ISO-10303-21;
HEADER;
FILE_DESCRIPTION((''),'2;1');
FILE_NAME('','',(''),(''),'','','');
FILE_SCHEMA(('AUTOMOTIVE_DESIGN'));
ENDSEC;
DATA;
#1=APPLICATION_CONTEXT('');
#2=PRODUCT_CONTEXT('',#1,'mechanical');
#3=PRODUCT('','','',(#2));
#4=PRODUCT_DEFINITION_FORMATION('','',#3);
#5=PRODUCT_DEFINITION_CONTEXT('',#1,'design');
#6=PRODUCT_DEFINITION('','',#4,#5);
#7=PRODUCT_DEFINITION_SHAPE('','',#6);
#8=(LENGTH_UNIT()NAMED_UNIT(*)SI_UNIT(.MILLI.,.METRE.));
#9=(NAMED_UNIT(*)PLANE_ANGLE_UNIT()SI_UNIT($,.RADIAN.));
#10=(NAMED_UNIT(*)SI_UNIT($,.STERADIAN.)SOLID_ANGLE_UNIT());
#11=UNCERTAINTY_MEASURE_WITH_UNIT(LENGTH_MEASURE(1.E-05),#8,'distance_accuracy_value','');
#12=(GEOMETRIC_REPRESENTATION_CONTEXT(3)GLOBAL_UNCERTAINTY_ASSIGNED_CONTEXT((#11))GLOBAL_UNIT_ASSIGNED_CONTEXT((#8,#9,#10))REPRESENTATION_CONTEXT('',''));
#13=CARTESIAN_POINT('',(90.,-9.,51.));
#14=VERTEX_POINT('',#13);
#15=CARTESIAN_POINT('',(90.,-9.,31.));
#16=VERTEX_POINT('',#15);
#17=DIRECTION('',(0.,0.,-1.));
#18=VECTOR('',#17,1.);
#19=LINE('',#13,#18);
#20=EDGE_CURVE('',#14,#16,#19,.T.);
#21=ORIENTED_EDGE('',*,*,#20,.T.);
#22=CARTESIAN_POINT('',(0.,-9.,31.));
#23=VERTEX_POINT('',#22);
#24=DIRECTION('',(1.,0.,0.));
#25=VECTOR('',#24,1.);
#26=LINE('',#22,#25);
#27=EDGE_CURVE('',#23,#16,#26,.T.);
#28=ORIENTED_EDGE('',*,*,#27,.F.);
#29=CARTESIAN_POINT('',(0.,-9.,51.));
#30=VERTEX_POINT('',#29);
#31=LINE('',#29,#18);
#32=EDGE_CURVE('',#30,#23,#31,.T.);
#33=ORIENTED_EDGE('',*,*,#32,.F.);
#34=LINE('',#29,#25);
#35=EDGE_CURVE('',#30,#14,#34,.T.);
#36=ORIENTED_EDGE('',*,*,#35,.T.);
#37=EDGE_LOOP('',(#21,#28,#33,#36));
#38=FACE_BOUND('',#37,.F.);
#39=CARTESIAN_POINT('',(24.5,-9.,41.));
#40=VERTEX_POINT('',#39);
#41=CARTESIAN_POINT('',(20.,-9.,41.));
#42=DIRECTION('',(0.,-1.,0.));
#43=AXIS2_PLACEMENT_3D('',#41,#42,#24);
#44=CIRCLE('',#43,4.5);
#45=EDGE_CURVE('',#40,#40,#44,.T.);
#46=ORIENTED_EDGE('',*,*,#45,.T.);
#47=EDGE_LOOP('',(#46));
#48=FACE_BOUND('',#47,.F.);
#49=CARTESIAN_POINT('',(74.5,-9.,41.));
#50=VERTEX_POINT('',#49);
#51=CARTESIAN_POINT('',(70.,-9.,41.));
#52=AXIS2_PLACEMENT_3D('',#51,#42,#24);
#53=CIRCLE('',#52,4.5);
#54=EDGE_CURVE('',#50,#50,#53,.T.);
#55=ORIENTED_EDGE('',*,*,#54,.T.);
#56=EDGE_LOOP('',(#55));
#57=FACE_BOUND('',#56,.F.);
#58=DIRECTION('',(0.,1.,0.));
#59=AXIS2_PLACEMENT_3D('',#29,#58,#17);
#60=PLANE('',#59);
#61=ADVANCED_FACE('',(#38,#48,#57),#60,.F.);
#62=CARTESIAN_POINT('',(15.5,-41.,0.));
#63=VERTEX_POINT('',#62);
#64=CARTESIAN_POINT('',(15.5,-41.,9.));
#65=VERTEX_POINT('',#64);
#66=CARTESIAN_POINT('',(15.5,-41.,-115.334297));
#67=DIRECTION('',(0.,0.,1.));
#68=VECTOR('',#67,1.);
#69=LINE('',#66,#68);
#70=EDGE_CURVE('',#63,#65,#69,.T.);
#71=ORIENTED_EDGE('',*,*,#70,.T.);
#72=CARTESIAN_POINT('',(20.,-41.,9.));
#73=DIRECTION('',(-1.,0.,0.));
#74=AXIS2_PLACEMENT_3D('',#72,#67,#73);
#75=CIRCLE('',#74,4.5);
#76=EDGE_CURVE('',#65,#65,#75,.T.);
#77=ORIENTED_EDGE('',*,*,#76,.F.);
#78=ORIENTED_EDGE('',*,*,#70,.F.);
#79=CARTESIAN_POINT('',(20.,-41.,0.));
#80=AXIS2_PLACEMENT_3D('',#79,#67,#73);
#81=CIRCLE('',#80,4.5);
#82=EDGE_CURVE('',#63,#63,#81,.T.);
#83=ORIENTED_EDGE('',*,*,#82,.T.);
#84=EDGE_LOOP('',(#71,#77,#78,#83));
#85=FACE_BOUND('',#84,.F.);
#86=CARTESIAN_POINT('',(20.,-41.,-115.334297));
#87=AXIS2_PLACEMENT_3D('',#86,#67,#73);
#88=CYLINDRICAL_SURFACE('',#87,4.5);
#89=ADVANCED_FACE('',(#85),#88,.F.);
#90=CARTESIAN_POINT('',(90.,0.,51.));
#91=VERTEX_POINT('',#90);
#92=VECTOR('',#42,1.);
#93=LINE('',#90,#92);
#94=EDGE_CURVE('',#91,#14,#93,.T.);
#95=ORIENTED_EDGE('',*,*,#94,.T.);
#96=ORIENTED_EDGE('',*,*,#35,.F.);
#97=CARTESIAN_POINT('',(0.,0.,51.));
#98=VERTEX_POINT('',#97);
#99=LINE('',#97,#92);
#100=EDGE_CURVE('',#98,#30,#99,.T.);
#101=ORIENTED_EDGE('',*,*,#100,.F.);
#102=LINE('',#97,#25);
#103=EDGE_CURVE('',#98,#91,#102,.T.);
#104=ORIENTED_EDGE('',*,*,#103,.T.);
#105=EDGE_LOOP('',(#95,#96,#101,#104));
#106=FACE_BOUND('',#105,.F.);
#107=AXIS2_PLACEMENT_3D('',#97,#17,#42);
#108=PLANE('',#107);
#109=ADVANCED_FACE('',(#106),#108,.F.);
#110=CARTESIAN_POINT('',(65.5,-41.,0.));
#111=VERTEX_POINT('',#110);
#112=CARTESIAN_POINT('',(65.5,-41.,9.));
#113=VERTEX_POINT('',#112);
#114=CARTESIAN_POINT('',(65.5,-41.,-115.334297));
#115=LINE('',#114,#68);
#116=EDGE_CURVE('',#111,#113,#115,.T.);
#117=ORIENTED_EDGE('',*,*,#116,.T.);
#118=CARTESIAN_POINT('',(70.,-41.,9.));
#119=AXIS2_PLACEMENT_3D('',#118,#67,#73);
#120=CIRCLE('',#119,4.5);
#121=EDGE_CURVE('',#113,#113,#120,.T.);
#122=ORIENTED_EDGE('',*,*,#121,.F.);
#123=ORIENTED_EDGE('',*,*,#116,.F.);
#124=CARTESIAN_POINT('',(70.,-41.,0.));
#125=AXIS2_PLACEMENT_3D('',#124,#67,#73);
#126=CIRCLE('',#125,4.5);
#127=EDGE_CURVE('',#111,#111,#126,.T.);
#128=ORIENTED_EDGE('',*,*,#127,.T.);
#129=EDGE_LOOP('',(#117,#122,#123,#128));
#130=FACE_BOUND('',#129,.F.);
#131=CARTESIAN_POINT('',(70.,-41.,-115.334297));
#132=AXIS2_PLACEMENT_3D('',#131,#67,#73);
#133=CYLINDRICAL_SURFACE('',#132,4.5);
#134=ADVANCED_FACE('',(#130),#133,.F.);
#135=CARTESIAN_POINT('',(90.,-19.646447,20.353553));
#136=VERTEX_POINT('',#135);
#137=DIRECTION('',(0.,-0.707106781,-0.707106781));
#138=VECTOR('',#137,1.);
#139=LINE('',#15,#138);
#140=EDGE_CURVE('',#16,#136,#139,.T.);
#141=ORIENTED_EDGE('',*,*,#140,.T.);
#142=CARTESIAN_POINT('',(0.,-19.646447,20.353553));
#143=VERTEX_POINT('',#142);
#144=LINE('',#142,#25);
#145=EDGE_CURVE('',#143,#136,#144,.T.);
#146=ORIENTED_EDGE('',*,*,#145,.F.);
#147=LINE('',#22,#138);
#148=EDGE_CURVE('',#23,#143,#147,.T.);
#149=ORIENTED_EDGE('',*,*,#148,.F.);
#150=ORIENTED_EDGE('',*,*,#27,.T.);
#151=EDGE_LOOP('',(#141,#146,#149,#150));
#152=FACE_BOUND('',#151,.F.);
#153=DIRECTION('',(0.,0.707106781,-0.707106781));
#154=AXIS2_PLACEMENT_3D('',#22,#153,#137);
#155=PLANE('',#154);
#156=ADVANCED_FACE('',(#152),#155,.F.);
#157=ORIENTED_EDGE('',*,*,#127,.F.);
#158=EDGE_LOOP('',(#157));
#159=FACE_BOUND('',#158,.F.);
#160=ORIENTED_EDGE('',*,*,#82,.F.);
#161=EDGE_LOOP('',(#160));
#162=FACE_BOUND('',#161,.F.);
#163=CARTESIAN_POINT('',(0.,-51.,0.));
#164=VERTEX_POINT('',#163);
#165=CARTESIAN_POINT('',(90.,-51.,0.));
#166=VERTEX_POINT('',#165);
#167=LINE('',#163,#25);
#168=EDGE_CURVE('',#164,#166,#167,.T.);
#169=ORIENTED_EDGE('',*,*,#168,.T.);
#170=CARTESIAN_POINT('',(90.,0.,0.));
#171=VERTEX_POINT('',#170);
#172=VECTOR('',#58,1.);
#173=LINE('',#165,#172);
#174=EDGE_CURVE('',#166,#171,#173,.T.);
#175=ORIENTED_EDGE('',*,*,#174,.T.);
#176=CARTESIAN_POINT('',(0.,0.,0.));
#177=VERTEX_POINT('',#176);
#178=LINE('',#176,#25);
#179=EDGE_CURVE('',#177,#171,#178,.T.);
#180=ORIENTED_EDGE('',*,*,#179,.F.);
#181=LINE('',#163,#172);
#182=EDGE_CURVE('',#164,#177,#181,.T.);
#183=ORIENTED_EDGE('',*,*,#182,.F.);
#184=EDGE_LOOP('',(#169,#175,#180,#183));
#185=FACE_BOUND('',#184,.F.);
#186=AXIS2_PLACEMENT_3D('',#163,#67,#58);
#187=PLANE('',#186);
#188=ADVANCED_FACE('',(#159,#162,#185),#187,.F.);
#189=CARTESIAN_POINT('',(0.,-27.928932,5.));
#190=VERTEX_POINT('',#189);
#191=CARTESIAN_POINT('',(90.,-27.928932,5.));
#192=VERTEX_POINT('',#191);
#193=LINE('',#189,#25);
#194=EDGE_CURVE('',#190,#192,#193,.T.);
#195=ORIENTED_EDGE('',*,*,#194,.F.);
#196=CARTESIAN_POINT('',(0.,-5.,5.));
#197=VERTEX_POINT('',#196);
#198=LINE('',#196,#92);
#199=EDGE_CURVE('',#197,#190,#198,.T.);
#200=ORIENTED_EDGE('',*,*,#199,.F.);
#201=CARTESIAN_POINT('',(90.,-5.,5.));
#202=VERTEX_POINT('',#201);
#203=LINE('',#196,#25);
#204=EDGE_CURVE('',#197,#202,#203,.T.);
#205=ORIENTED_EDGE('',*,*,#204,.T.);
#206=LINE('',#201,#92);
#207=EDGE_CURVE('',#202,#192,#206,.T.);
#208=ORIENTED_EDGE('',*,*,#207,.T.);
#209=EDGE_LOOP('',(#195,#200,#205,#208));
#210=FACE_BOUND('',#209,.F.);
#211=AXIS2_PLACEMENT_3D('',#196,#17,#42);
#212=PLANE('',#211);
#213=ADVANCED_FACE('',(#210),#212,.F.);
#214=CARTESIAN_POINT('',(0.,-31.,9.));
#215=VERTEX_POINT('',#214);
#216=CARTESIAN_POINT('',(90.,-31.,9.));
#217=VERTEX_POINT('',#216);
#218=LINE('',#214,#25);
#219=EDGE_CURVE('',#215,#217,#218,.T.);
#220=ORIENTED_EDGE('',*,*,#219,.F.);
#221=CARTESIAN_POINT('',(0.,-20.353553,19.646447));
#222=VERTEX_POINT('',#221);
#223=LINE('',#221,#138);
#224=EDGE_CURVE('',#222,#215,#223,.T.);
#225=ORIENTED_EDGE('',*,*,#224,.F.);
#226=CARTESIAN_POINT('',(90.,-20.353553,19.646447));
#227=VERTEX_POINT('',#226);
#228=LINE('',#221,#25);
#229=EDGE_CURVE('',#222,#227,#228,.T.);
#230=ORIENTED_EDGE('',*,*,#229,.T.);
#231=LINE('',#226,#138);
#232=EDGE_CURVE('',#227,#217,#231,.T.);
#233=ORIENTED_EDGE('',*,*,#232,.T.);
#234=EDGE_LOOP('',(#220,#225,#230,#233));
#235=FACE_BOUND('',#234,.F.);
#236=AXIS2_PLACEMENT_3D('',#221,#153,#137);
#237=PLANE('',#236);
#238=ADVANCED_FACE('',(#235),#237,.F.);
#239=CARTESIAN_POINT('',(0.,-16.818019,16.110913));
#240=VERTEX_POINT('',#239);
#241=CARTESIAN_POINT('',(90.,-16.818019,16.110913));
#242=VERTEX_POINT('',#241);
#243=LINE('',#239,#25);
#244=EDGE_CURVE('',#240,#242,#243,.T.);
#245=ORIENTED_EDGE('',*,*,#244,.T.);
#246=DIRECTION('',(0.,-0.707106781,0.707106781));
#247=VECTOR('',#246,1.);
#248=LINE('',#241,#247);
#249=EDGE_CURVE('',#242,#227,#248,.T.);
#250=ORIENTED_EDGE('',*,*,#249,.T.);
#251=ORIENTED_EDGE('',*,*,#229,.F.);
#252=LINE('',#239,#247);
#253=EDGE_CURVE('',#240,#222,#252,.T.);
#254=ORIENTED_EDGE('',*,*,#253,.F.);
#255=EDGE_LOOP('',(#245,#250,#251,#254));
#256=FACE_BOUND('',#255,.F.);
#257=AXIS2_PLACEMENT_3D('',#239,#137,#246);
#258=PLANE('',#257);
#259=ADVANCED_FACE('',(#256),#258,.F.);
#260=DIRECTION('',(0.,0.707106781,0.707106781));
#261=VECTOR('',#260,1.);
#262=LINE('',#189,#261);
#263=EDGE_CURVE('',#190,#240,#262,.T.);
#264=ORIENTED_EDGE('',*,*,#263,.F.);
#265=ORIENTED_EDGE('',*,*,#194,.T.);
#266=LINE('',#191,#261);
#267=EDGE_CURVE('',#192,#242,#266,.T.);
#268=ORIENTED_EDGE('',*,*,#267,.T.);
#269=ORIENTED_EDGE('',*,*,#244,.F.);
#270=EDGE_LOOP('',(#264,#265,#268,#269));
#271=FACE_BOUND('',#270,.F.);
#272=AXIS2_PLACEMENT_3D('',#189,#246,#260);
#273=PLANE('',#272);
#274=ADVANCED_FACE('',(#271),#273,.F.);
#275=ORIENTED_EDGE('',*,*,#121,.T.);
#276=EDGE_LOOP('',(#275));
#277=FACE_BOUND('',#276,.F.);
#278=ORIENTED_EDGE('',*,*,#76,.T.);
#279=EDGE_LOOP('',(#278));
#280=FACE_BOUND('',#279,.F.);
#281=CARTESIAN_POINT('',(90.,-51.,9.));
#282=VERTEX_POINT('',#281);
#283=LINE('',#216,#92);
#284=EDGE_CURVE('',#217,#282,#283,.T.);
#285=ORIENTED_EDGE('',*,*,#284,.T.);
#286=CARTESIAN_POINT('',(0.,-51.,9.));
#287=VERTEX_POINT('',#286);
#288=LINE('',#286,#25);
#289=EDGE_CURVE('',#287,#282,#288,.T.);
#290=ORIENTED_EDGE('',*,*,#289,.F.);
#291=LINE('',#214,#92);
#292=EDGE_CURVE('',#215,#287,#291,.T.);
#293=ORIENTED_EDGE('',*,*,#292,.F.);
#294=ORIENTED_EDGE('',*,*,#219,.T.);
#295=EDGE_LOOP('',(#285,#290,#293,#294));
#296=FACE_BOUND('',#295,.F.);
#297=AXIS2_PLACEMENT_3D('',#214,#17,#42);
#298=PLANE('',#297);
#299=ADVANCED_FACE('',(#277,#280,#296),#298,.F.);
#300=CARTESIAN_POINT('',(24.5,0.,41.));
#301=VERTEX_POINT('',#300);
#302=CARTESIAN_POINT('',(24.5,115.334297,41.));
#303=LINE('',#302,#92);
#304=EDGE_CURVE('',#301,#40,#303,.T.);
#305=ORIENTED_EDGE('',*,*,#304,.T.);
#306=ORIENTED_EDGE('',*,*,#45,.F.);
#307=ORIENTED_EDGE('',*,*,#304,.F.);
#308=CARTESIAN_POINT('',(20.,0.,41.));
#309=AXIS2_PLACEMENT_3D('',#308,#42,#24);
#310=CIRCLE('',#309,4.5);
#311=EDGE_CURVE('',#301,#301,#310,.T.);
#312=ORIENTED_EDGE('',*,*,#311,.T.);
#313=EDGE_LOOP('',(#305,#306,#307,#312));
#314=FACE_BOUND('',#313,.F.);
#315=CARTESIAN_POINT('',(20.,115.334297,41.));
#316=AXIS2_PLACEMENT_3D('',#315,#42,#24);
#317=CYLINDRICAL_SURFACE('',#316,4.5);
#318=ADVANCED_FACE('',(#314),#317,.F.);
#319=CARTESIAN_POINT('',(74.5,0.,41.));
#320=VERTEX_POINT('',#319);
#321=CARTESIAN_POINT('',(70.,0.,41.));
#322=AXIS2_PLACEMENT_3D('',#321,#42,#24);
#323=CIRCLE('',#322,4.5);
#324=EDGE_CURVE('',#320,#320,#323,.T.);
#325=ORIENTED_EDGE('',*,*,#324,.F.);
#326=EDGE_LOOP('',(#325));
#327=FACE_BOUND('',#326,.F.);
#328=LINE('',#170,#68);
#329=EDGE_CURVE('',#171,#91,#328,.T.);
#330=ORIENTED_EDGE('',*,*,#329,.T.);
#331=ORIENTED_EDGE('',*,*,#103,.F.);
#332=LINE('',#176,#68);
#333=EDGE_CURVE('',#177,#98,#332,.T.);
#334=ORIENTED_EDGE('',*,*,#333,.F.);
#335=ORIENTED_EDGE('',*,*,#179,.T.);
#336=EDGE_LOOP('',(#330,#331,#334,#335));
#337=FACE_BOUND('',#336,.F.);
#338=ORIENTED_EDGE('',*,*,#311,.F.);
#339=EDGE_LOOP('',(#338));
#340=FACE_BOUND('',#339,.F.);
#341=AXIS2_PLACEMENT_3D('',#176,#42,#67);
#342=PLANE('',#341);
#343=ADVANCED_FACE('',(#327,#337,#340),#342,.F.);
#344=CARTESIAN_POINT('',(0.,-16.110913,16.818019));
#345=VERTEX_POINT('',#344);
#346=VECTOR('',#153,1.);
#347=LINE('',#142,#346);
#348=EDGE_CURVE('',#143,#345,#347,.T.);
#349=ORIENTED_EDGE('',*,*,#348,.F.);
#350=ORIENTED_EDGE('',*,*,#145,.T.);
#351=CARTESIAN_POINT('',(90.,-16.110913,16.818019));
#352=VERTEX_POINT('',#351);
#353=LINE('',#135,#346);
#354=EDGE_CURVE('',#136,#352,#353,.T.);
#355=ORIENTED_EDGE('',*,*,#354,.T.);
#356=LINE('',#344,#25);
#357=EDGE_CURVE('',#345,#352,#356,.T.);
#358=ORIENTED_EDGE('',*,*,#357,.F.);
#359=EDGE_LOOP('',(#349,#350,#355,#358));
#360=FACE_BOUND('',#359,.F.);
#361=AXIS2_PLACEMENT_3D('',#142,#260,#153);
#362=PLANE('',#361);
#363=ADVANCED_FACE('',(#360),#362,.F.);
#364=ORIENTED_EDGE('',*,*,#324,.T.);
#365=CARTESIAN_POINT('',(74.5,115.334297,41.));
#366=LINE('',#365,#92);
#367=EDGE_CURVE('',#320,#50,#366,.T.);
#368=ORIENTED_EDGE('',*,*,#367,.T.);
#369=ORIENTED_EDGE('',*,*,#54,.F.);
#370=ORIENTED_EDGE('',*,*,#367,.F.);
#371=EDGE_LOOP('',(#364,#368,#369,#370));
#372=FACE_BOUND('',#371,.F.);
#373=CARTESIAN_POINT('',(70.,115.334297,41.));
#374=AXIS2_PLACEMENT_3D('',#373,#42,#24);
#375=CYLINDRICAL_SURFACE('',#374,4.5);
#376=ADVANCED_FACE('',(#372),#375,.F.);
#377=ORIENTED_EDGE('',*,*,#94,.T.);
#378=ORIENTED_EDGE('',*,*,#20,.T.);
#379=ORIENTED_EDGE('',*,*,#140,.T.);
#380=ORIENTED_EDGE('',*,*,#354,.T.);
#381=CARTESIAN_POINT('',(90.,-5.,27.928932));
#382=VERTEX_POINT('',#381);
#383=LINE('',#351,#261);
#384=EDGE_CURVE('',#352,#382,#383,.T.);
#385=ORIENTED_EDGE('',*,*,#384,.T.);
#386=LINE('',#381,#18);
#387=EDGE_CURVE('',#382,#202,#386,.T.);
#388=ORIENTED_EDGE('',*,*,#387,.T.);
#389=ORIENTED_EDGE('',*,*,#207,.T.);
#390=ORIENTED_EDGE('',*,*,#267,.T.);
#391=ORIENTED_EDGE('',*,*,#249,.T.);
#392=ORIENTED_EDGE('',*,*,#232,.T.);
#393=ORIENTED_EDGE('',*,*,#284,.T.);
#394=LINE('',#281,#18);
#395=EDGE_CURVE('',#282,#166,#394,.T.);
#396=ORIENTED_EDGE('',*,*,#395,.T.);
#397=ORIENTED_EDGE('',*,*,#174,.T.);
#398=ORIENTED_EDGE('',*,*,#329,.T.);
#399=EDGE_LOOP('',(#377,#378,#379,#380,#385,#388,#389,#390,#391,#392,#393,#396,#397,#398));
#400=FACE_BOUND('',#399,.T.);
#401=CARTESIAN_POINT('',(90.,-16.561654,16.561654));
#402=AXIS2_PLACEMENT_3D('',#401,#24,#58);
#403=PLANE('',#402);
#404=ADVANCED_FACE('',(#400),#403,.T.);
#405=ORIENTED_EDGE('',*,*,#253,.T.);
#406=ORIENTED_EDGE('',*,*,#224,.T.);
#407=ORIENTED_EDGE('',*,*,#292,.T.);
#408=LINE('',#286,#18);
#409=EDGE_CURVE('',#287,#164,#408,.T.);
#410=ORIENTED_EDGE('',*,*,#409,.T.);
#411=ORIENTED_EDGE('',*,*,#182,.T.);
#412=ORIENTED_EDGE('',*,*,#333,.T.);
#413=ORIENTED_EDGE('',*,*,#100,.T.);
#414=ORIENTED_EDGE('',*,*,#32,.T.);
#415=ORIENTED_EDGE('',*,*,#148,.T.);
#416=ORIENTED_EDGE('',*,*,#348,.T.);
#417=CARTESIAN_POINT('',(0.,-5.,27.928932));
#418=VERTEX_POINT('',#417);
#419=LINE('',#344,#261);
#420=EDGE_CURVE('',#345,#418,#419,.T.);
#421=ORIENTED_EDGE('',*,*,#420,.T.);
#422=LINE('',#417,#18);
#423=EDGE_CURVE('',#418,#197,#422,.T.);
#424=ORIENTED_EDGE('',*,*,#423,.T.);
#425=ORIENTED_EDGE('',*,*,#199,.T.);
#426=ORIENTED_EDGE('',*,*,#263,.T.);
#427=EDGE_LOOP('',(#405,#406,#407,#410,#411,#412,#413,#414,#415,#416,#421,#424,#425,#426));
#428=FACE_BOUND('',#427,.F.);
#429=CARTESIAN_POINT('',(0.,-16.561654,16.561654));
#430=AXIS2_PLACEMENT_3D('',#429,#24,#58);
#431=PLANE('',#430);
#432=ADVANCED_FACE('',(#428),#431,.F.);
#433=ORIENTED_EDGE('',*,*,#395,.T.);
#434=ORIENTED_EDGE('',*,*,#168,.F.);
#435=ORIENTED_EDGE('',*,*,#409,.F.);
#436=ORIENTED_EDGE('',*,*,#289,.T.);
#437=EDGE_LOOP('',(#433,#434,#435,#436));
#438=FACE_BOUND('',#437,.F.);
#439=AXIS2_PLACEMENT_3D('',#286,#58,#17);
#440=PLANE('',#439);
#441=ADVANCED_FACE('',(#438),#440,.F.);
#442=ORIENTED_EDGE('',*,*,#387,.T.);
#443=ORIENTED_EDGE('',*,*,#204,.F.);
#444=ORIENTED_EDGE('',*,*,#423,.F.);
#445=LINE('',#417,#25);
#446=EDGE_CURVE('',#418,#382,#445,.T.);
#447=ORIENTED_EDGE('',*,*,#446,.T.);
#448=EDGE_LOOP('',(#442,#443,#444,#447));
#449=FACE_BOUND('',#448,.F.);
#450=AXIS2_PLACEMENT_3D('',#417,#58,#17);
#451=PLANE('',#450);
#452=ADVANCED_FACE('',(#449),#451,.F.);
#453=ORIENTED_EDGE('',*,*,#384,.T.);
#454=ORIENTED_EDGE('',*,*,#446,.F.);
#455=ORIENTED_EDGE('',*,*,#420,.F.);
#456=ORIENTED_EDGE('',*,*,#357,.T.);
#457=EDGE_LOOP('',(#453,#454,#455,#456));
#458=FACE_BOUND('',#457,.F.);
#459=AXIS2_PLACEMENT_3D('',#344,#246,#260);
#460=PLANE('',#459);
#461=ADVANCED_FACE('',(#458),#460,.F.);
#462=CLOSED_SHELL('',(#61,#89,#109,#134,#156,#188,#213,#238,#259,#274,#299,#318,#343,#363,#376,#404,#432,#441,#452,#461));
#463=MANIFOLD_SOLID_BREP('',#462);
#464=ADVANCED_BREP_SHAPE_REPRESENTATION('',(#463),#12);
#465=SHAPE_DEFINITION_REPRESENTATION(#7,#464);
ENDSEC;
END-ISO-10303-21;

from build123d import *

# Parameters (mm, degrees)
F1_DEPTH   = 90
F4_D       = 9
F4_ON_F2_D = 9


with BuildPart() as f1:
    # F0 (on Right) → F1 (new body)
    with BuildSketch(Plane.YZ):
        Polygon((-51, 0), (0, 0), (0, 51), (-9, 51), (-9, 31), (-19.6464466094, 20.3535533906), (-16.1109127035, 16.8180194847), (-5, 27.9289321881), (-5, 5), (-27.9289321881, 5), (-16.8180194847, 16.1109127035), (-20.3535533906, 19.6464466094), (-31, 9), (-51, 9), align=None)
    extrude(amount=F1_DEPTH)

    # F4 (through all)
    with Locations(Plane(origin=(0, 0, 0), x_dir=(1, 0, 0), z_dir=(0, 0, -1))):
        with Locations((70, 41), (20, 41)):
            Hole(F4_D / 2)

    # F4 on F2 (through all)
    with Locations(Plane(origin=(0, 0, 0), x_dir=(-1, 0, 0), z_dir=(0, 1, 0))):
        with Locations((-20, 41), (-70, 41)):
            Hole(F4_ON_F2_D / 2)


solid = f1.part
